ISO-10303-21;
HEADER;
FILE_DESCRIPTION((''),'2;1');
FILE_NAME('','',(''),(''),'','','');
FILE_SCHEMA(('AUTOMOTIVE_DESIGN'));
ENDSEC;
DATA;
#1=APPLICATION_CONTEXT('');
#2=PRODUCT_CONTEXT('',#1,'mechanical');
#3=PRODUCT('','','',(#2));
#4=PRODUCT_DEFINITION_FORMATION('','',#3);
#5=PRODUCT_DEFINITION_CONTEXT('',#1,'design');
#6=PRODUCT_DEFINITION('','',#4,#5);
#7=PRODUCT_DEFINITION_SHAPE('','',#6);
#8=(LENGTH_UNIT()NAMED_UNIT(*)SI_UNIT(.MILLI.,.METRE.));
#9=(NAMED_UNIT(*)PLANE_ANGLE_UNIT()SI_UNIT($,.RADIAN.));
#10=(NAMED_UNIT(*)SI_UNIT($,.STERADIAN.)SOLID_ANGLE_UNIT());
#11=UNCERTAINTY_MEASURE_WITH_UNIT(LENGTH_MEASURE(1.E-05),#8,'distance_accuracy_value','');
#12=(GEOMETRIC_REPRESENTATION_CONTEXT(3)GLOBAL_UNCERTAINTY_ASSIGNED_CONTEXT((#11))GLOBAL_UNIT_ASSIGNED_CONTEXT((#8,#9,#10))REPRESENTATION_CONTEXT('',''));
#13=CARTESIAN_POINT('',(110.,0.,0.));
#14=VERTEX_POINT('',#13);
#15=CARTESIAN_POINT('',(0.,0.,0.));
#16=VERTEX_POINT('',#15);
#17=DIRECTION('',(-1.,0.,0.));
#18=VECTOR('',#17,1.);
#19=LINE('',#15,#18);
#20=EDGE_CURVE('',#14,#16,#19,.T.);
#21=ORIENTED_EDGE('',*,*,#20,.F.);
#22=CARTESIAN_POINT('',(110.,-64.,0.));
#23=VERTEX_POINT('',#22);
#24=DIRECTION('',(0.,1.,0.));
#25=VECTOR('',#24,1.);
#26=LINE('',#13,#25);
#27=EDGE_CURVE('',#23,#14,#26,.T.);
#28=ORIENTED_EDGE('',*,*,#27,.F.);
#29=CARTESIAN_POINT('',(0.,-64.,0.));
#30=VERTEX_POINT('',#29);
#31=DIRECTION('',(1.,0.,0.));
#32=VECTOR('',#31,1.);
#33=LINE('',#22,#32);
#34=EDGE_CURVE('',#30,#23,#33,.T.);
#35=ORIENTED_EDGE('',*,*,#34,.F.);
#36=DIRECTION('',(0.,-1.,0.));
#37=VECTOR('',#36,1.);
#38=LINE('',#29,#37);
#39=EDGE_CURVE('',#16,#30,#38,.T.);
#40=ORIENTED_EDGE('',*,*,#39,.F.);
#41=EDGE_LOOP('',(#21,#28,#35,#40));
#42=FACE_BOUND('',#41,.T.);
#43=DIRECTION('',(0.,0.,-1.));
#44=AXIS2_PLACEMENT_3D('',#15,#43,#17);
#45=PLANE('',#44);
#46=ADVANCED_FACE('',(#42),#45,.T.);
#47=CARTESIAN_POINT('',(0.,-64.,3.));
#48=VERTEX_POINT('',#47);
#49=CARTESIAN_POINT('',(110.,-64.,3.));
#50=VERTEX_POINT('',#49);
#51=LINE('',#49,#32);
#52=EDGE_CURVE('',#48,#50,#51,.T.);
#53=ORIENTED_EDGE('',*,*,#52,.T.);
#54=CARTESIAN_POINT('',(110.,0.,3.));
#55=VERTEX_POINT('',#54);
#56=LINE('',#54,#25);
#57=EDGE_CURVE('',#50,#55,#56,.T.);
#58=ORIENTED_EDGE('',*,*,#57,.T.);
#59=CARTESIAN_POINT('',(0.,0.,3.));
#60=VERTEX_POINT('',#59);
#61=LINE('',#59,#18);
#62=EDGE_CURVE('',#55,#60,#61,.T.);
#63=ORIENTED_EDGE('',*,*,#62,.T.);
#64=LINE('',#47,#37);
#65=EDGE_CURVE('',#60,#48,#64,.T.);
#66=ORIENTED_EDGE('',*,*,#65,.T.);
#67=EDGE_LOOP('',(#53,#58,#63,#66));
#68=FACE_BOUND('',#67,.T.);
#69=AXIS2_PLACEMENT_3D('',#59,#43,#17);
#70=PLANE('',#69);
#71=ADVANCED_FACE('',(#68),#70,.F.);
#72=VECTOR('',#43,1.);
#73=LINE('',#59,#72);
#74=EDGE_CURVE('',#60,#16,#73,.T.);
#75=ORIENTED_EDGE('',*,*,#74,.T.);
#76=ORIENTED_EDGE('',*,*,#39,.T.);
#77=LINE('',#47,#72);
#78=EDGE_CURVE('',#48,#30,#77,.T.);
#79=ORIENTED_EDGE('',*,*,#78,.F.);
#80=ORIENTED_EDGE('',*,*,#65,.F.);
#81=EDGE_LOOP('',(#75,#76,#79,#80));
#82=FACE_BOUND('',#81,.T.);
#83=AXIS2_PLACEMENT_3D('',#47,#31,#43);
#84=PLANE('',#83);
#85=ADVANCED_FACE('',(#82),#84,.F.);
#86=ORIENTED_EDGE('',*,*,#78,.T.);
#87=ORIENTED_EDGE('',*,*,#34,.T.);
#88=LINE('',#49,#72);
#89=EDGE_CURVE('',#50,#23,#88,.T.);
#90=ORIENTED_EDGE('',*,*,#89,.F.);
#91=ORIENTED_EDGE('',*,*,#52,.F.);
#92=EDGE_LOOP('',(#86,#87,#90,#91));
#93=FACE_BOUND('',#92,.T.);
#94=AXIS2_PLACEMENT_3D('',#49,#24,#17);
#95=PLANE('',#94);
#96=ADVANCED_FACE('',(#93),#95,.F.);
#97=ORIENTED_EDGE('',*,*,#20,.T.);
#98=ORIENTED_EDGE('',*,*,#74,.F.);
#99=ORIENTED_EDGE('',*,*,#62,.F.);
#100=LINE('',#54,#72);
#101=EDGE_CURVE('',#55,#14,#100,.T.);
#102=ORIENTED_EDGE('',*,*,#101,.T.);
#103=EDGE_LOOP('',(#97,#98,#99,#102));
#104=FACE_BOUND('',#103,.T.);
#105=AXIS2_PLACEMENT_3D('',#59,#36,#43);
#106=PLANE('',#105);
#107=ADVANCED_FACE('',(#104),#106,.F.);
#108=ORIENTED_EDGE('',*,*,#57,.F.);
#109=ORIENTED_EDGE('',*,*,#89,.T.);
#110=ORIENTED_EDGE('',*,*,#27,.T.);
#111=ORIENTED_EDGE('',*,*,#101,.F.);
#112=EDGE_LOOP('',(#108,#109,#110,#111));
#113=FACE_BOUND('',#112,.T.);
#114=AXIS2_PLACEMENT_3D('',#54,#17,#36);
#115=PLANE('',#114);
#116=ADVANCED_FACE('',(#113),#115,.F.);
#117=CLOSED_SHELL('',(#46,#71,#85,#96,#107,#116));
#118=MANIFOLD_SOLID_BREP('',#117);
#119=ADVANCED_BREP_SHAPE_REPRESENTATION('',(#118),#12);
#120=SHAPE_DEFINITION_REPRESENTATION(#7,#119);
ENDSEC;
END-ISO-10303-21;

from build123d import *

# Parameters (mm, degrees)
SKETCH_1_W      = 110
SKETCH_1_H      = 64
EXTRUDE_1_DEPTH = 3


with BuildPart() as part:
    # 草图1 → 凸台-拉伸1 (new body)
    with BuildSketch(Plane.XY):
        with Locations((55, -32)):
            Rectangle(SKETCH_1_W, SKETCH_1_H)
    extrude(amount=EXTRUDE_1_DEPTH)


solid = part.part
